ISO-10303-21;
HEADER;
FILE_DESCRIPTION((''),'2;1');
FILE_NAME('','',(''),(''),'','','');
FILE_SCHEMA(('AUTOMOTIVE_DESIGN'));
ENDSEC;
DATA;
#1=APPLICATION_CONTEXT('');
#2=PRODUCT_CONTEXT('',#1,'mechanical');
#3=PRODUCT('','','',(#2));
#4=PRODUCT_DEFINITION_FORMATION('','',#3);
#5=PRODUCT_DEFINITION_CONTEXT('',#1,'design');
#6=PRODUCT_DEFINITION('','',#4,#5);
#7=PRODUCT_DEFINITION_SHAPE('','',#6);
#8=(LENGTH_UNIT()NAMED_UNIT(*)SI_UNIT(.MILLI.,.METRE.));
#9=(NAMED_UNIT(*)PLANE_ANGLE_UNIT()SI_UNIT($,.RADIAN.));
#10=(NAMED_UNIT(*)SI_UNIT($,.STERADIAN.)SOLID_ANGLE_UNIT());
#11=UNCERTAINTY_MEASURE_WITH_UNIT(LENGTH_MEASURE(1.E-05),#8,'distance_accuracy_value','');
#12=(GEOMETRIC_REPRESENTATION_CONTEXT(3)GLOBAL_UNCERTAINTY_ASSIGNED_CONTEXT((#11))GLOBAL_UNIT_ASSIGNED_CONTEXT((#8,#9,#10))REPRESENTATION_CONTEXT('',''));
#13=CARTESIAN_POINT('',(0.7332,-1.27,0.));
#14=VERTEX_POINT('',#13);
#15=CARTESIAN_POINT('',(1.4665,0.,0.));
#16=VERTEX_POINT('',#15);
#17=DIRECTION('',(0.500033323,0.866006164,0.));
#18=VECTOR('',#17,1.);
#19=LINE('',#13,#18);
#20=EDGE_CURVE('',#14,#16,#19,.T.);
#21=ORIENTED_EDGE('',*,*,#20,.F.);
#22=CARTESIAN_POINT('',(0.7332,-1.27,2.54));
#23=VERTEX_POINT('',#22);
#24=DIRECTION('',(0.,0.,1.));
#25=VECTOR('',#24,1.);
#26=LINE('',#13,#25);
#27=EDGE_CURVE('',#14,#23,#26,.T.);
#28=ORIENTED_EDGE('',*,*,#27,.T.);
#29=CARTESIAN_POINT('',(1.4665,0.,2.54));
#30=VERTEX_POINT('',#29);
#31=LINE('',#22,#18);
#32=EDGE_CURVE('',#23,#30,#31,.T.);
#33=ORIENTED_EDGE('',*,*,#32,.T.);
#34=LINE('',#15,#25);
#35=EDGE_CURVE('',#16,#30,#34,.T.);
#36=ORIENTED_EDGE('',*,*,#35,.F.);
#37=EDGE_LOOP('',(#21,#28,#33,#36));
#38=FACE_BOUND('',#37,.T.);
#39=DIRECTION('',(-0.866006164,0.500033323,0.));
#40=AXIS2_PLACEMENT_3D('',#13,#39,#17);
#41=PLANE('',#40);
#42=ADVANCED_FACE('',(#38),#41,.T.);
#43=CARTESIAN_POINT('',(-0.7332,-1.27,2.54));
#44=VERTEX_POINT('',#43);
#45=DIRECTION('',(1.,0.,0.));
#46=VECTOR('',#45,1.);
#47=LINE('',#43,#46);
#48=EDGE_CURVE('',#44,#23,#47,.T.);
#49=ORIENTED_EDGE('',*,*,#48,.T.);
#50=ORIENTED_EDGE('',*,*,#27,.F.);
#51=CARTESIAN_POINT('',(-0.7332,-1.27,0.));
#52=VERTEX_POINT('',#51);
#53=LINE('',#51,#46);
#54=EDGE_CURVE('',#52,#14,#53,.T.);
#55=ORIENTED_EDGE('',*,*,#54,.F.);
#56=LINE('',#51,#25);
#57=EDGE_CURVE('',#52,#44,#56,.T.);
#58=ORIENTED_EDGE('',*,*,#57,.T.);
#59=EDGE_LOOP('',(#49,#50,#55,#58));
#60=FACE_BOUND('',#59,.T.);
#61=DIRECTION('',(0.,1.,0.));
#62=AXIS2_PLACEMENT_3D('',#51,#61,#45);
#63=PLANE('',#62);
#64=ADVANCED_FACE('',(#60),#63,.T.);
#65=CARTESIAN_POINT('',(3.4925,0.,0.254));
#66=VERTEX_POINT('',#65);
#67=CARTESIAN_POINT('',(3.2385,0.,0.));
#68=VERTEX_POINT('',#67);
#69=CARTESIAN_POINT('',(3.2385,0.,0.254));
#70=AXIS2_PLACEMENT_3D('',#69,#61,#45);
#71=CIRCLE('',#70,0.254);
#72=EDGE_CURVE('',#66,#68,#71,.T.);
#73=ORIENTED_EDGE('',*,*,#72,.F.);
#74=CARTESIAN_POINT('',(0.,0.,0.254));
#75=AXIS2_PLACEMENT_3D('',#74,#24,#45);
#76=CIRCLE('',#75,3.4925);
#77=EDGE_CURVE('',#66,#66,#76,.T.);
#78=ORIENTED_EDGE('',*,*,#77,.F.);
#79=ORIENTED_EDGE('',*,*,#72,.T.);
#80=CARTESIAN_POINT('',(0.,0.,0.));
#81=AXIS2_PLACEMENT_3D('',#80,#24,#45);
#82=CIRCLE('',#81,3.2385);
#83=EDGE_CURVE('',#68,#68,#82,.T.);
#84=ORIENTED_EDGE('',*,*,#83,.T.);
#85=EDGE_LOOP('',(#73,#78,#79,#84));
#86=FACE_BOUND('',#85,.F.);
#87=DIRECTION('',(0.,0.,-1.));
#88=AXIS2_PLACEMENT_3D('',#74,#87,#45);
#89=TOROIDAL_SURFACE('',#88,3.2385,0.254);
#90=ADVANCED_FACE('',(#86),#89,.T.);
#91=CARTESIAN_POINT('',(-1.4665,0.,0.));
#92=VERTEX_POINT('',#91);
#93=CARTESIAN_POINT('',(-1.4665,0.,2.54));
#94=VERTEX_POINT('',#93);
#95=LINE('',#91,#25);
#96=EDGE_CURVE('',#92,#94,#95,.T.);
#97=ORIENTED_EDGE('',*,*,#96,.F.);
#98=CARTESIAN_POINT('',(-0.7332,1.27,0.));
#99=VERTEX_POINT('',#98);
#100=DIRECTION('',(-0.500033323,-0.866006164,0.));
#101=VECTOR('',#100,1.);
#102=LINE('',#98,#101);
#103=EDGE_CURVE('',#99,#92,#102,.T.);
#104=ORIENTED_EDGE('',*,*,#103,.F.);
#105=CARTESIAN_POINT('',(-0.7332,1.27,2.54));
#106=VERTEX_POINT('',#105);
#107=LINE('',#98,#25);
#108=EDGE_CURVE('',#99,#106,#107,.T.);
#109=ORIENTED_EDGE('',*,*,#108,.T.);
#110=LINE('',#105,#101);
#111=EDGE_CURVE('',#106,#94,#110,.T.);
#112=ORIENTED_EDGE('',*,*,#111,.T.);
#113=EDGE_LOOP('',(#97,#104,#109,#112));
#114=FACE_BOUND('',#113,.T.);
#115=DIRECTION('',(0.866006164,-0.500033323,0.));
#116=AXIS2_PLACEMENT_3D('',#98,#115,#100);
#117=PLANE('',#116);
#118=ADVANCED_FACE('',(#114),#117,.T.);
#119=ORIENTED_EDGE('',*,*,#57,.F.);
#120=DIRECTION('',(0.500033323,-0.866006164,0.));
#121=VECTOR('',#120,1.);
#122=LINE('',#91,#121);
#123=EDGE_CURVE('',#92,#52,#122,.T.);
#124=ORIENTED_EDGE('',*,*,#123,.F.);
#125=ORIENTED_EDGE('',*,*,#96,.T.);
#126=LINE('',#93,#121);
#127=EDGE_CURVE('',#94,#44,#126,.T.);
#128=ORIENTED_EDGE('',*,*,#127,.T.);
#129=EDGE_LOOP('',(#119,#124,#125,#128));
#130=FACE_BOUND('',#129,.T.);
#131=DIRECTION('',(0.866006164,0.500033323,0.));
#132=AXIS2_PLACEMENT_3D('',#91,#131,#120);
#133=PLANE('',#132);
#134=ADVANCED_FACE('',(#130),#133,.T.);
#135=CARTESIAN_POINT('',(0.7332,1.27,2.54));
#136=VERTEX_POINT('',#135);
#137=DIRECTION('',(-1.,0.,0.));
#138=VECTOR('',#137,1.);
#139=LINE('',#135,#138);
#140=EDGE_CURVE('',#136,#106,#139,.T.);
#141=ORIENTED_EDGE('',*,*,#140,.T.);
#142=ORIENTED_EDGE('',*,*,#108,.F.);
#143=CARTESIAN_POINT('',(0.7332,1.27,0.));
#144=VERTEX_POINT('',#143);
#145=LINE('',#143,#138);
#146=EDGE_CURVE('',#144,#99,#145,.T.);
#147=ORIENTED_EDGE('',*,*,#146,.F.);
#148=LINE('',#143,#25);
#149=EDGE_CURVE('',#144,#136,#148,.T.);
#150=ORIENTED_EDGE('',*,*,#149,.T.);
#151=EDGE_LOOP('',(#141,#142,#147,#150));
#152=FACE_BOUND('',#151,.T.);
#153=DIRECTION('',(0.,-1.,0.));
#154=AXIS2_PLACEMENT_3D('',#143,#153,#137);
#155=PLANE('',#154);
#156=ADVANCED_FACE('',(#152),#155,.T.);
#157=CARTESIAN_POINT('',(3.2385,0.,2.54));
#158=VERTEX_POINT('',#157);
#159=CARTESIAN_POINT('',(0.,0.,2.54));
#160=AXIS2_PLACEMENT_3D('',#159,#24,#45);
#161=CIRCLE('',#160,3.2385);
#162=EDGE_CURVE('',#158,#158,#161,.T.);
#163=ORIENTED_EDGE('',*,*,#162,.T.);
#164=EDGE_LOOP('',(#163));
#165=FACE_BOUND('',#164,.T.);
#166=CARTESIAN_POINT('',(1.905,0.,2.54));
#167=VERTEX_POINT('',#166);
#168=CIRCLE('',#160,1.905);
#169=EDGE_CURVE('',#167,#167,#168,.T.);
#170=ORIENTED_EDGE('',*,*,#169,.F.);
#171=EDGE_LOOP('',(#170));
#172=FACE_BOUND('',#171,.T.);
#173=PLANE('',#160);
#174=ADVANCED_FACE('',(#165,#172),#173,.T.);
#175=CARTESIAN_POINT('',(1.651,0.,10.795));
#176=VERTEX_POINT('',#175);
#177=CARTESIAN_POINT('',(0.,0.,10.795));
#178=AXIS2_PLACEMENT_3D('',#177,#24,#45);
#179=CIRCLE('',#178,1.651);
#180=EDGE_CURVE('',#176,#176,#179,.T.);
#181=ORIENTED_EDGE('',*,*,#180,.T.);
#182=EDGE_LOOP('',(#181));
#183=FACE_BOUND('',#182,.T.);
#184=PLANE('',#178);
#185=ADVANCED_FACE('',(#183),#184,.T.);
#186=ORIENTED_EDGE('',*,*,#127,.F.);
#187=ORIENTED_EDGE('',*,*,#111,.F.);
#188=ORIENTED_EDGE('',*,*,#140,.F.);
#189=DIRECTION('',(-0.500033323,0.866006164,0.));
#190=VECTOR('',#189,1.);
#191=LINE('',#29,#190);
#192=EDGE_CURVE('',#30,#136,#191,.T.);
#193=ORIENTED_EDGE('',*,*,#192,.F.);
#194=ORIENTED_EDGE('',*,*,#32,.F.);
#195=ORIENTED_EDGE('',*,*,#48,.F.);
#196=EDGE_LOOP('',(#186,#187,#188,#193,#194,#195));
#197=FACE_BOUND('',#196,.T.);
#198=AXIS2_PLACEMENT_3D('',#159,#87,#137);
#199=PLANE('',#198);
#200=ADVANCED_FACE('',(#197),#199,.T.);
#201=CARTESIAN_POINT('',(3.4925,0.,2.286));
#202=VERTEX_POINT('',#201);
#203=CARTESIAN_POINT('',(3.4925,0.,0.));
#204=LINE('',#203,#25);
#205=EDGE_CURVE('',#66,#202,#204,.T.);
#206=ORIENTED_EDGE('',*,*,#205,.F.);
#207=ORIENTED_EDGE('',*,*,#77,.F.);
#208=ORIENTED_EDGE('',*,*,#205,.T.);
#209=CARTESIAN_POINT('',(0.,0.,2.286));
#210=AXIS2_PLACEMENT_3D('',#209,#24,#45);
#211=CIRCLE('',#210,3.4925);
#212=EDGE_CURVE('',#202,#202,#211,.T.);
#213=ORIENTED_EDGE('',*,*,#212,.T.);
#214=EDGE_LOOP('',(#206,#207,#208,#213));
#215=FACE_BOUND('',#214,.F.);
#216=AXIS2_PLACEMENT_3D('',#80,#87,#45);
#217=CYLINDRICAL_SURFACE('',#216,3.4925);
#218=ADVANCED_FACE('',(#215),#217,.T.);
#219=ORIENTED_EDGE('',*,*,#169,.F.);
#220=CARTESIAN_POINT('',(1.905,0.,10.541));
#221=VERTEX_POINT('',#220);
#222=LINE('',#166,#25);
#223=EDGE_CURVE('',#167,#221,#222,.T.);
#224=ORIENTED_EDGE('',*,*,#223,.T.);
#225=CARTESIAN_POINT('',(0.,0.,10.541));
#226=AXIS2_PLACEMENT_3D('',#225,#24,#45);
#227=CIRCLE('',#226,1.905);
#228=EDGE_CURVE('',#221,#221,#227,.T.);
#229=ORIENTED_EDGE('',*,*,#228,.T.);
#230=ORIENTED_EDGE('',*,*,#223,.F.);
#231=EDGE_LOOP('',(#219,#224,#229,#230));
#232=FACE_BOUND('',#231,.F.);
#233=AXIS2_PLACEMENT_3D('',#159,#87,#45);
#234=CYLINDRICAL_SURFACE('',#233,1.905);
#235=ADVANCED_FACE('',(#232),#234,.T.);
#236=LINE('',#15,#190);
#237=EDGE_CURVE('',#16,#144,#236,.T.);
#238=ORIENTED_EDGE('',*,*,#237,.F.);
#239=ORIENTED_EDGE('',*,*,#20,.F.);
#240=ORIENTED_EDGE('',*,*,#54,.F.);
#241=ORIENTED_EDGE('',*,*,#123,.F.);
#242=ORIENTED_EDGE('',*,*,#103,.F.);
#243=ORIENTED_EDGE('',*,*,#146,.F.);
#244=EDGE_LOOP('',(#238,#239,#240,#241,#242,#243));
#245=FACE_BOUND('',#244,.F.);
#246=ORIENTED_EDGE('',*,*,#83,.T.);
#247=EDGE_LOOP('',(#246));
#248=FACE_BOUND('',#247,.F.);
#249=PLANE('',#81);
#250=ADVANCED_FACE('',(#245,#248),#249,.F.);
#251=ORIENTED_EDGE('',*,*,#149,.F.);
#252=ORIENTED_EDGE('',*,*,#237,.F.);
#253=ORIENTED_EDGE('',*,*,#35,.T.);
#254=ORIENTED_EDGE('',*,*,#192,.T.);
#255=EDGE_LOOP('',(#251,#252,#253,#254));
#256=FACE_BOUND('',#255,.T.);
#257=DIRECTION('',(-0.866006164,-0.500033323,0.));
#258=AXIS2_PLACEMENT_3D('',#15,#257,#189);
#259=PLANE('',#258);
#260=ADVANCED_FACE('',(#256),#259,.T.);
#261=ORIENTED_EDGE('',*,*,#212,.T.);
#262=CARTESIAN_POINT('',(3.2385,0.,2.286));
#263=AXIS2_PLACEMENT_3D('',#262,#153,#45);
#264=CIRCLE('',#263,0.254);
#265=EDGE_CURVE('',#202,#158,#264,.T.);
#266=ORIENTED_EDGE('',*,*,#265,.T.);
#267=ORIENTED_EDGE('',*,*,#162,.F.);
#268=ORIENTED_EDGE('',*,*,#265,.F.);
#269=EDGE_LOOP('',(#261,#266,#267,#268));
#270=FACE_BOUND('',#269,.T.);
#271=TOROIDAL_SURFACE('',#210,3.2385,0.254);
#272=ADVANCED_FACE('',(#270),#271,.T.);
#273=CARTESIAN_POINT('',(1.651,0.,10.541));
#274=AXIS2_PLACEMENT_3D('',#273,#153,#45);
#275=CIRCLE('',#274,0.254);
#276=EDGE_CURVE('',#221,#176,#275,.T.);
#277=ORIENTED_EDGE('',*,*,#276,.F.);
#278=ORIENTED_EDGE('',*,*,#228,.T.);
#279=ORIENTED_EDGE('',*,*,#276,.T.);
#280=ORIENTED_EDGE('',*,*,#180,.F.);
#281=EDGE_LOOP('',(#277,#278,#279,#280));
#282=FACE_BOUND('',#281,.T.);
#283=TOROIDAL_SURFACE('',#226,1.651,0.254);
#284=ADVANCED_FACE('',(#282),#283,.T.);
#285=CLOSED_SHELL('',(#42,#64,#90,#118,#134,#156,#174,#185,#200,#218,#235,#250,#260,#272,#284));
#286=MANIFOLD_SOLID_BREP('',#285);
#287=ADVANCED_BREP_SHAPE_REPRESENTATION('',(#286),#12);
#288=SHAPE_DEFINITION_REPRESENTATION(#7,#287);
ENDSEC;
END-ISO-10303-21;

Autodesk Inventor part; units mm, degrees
ref_plane "YZ Plane" through (0, 0, 0) normal (1, 0, 0) x (0, 1, 0)
ref_plane "XZ Plane" through (0, 0, 0) normal (0, 1, 0) x (-1, 0, 0)
ref_plane "XY Plane" through (0, 0, 0) normal (0, 0, 1) x (1, 0, 0)
sketch "Sketch1" plane through (0, 0, 0) normal (0, 0, 1) x (1, 0, 0)
  circle A0 centre (0, 0) radius 3.4925
  dimension "d0" = 6.985
extrude "Extrusion1" add sketch "Sketch1" along normal blind 2.54
sketch "Sketch2" plane through (0, 0, 2.54) normal (0, 0, 1) x (1, 0, 0)
  circle A0 centre (0, 0) radius 3.4925 projected
  circle A1 centre (0, 0) radius 1.905
  dimension "d3" = 3.81
extrude "Extrusion2" add sketch "Sketch2" along normal blind 8.255 contours A1
sketch "Sketch3" plane through (0, 0, 0) normal (0, 0, -1) x (-1, 0, 0)
  circle A0 centre (0, 0) radius 3.4925 projected
  line L0 (1.4665, 0) -> (0.7332, -1.27)
  line L1 (0.7332, -1.27) -> (-0.7332, -1.27)
  line L2 (-0.7332, -1.27) -> (-1.4665, 0)
  line L3 (-1.4665, 0) -> (-0.7332, 1.27)
  line L4 (-0.7332, 1.27) -> (0.7332, 1.27)
  line L5 (0.7332, 1.27) -> (1.4665, 0)
  dimension "d6" = 2.54
extrude "Extrusion3" cut sketch "Sketch3" against normal blind 2.54 contours L0 L1 L2 L3 L4 L5
thread "Thread1" size "8-32 UNC" class "2A" standard "ANSI Unified Screw Threads" full length
fillet "Fillet1" radius 0.254 3 edges at (-3.4925, 0, 0) (-3.4925, 0, 2.54) (-1.905, 0, 10.795)
properties part number "20mm T-Nut Fastener 1764"
